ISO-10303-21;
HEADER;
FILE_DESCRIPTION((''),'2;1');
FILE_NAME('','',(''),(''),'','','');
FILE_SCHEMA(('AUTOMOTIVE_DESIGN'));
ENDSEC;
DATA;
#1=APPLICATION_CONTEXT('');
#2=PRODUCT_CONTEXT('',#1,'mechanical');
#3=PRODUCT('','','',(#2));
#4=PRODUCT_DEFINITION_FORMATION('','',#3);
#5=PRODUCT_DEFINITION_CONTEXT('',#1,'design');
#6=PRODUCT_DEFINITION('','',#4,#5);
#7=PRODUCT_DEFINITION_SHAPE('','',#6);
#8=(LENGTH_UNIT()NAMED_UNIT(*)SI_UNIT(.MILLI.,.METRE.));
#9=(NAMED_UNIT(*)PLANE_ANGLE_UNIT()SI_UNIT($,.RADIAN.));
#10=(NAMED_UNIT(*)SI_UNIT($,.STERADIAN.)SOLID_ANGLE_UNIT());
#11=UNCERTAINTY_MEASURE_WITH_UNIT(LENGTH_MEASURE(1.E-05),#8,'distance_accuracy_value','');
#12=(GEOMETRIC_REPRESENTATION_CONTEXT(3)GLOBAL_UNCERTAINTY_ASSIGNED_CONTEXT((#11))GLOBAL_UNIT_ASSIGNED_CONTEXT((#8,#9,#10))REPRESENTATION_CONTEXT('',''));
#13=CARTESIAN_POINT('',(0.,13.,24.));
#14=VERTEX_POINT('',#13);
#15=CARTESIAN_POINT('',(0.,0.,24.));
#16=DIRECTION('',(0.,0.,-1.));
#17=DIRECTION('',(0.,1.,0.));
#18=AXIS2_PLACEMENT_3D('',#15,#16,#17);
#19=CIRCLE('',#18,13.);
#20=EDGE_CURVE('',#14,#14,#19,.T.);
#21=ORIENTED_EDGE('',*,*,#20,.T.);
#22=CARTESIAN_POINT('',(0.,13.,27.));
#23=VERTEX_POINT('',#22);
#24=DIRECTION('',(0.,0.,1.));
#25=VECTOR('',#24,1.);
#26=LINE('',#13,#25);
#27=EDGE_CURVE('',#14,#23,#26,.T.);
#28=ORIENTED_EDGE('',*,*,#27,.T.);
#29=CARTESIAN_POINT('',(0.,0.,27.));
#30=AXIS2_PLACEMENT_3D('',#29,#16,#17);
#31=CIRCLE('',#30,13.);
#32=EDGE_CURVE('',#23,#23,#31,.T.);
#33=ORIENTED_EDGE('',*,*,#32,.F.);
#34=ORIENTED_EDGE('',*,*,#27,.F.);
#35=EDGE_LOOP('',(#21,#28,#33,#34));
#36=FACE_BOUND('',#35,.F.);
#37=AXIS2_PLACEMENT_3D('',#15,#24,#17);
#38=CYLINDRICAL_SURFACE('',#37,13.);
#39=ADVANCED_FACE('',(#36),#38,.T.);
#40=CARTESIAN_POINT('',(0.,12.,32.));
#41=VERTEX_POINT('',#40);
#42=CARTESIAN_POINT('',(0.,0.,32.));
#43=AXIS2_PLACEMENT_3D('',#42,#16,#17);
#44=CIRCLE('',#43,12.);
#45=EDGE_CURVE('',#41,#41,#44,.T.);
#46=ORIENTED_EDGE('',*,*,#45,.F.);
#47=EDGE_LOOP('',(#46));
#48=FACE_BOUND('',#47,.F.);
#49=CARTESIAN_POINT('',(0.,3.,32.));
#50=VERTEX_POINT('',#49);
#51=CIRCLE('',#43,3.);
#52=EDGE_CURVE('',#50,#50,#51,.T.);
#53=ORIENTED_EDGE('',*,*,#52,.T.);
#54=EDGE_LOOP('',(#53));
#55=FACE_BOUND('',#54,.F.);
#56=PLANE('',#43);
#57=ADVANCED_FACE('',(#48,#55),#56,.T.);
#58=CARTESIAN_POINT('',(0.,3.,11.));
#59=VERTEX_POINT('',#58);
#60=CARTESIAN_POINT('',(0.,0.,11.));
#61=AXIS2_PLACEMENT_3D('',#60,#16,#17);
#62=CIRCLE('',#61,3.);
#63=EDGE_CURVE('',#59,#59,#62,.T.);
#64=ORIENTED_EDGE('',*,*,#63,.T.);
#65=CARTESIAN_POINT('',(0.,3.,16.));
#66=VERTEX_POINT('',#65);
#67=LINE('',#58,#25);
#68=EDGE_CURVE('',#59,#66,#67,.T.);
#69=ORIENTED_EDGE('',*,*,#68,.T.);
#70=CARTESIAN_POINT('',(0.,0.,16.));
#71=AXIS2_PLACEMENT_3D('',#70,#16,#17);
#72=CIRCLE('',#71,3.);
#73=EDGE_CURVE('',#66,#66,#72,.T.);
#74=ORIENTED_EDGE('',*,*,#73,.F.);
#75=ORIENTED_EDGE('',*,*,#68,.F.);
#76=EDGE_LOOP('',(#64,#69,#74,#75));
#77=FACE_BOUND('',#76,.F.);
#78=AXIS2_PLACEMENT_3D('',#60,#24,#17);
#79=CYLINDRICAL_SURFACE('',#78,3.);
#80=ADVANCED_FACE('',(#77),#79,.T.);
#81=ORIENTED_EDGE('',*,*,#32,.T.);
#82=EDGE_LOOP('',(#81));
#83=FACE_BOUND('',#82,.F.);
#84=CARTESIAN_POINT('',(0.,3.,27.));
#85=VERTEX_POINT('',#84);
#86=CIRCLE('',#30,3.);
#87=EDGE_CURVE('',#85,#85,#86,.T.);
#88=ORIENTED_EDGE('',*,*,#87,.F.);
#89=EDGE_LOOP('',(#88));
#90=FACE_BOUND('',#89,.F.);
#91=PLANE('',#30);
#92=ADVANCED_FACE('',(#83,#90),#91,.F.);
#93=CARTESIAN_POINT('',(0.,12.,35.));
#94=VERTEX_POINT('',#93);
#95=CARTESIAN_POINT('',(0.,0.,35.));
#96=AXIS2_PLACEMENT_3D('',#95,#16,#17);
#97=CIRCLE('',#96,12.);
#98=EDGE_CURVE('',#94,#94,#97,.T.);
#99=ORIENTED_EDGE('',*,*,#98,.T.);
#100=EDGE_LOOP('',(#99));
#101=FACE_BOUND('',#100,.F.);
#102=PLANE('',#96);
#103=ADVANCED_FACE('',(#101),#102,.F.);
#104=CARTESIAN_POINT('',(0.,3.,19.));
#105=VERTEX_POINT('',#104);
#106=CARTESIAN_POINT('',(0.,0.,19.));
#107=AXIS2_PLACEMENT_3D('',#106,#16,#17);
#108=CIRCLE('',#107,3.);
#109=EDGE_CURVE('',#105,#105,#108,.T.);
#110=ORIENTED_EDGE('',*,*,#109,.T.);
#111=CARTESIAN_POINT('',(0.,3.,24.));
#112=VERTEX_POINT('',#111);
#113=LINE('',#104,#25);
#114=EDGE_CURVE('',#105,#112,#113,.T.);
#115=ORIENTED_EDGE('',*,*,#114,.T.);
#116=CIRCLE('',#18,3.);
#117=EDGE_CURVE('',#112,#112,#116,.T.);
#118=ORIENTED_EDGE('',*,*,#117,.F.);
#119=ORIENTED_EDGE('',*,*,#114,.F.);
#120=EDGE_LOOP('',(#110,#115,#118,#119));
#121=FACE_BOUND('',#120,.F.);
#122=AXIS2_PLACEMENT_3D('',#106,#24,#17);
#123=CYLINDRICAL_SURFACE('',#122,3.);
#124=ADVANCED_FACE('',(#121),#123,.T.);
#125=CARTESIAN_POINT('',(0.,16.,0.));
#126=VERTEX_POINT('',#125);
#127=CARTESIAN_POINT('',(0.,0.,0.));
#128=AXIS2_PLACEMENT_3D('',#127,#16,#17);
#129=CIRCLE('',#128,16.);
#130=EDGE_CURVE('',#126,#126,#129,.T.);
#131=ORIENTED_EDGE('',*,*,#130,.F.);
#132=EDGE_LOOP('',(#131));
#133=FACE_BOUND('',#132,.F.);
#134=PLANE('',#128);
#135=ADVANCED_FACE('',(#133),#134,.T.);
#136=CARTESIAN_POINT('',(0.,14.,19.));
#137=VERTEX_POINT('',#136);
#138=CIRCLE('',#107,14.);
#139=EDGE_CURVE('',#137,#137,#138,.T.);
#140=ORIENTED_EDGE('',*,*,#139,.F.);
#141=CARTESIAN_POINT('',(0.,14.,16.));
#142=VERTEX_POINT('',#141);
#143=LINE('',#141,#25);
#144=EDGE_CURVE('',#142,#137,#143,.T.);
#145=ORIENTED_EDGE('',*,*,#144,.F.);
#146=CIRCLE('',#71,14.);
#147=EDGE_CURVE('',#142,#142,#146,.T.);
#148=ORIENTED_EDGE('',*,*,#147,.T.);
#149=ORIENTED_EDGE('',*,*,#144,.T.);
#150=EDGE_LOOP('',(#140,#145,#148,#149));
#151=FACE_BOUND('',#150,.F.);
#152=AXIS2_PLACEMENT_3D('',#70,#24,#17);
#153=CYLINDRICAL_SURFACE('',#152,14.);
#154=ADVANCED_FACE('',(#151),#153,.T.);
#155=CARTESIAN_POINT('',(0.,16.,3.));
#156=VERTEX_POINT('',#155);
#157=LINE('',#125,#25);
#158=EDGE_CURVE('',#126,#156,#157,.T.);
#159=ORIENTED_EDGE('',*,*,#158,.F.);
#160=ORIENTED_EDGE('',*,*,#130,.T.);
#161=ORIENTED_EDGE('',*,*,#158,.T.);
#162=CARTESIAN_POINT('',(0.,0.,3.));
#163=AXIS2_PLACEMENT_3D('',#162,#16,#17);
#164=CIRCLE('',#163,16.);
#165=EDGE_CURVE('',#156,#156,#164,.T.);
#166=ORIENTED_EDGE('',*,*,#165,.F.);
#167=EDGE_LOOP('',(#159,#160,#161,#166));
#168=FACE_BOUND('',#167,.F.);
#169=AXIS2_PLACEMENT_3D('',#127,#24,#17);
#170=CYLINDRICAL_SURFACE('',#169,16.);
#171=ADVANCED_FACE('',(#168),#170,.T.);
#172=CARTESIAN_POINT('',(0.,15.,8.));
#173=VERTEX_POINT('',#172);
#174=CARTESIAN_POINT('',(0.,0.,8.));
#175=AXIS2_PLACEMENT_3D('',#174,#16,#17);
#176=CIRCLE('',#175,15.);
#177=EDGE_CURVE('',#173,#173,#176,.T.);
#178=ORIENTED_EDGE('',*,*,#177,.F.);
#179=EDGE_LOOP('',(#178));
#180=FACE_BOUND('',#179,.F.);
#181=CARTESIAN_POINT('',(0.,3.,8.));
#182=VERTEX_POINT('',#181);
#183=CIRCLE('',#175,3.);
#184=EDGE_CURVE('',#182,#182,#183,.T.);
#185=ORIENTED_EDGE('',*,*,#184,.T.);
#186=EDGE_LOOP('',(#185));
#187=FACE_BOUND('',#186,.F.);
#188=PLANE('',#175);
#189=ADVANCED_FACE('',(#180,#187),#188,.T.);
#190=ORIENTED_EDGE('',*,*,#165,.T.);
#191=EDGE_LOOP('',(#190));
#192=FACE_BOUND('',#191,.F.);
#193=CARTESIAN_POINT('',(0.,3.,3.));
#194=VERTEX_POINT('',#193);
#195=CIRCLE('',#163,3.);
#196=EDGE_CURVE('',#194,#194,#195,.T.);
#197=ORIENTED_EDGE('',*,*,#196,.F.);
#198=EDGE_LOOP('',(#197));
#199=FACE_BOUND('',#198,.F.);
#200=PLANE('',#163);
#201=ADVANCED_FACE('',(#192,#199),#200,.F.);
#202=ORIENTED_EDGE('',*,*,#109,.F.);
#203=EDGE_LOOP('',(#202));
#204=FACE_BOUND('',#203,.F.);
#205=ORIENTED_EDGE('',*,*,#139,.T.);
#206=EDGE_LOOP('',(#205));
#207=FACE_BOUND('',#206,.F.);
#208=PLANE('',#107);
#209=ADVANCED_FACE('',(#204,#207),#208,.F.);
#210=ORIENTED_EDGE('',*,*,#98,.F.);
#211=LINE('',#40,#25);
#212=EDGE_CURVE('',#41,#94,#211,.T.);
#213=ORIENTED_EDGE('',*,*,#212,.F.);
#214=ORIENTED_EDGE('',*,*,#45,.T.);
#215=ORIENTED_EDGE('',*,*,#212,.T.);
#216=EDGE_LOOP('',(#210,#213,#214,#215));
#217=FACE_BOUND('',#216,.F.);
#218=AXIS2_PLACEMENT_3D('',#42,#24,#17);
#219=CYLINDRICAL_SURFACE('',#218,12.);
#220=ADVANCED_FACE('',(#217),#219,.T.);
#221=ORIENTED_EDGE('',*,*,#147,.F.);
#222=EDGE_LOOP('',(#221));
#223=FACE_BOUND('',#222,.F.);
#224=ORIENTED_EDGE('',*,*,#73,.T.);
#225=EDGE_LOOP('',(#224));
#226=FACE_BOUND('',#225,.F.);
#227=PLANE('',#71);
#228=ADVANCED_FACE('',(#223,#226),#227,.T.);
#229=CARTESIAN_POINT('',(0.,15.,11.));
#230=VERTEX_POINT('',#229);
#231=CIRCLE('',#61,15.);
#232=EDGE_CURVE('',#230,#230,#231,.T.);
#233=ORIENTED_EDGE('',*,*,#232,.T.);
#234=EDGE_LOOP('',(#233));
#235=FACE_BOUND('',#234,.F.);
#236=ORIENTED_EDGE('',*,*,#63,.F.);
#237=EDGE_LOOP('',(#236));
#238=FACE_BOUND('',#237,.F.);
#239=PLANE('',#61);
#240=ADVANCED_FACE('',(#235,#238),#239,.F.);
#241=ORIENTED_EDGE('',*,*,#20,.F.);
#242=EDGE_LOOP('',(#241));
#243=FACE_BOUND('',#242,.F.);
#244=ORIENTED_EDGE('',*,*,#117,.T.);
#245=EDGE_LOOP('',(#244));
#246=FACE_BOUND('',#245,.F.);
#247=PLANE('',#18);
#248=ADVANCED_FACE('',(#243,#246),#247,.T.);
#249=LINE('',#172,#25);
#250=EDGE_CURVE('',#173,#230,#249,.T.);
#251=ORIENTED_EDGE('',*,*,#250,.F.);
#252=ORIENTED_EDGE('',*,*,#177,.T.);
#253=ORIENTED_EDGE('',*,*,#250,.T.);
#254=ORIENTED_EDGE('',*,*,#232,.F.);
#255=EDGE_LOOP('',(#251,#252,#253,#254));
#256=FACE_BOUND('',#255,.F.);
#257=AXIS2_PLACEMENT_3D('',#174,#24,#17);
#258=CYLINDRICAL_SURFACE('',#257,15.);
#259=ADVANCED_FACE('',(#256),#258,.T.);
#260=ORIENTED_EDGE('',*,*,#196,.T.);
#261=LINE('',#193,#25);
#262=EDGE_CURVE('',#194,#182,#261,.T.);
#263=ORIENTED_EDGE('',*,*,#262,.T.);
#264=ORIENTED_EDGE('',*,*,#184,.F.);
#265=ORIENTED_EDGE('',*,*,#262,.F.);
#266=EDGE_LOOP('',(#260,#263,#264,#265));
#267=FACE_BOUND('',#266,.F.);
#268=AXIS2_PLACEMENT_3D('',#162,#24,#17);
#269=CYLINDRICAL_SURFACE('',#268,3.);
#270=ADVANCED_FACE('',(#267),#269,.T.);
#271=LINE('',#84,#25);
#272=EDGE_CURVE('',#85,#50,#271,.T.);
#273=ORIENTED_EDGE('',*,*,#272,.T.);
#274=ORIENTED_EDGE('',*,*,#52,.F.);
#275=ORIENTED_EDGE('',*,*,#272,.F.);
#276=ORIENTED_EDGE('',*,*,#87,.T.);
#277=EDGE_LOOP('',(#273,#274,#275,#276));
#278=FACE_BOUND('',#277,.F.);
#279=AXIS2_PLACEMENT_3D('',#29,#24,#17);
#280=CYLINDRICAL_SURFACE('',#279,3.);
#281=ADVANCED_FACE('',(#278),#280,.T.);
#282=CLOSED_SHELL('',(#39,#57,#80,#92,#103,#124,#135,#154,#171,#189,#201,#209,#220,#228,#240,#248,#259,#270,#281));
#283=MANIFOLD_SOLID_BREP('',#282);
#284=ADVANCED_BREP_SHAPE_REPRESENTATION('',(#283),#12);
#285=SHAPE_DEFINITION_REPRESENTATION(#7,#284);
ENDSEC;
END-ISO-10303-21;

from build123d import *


with BuildPart() as f1:
    # F0 (on Right) → F1 (revolve)
    with BuildSketch(Plane.YZ):
        Polygon((0, 0), (16, 0), (16, 3), (3, 3), (3, 8), (15, 8), (15, 11), (3, 11), (3, 16), (14, 16), (14, 19), (3, 19), (3, 24), (13, 24), (13, 27), (3, 27), (3, 32), (12, 32), (12, 35), (0, 35), align=None)
    revolve(axis=Axis((0, 0, 17.5), (0, 0, -1)))


solid = f1.part
